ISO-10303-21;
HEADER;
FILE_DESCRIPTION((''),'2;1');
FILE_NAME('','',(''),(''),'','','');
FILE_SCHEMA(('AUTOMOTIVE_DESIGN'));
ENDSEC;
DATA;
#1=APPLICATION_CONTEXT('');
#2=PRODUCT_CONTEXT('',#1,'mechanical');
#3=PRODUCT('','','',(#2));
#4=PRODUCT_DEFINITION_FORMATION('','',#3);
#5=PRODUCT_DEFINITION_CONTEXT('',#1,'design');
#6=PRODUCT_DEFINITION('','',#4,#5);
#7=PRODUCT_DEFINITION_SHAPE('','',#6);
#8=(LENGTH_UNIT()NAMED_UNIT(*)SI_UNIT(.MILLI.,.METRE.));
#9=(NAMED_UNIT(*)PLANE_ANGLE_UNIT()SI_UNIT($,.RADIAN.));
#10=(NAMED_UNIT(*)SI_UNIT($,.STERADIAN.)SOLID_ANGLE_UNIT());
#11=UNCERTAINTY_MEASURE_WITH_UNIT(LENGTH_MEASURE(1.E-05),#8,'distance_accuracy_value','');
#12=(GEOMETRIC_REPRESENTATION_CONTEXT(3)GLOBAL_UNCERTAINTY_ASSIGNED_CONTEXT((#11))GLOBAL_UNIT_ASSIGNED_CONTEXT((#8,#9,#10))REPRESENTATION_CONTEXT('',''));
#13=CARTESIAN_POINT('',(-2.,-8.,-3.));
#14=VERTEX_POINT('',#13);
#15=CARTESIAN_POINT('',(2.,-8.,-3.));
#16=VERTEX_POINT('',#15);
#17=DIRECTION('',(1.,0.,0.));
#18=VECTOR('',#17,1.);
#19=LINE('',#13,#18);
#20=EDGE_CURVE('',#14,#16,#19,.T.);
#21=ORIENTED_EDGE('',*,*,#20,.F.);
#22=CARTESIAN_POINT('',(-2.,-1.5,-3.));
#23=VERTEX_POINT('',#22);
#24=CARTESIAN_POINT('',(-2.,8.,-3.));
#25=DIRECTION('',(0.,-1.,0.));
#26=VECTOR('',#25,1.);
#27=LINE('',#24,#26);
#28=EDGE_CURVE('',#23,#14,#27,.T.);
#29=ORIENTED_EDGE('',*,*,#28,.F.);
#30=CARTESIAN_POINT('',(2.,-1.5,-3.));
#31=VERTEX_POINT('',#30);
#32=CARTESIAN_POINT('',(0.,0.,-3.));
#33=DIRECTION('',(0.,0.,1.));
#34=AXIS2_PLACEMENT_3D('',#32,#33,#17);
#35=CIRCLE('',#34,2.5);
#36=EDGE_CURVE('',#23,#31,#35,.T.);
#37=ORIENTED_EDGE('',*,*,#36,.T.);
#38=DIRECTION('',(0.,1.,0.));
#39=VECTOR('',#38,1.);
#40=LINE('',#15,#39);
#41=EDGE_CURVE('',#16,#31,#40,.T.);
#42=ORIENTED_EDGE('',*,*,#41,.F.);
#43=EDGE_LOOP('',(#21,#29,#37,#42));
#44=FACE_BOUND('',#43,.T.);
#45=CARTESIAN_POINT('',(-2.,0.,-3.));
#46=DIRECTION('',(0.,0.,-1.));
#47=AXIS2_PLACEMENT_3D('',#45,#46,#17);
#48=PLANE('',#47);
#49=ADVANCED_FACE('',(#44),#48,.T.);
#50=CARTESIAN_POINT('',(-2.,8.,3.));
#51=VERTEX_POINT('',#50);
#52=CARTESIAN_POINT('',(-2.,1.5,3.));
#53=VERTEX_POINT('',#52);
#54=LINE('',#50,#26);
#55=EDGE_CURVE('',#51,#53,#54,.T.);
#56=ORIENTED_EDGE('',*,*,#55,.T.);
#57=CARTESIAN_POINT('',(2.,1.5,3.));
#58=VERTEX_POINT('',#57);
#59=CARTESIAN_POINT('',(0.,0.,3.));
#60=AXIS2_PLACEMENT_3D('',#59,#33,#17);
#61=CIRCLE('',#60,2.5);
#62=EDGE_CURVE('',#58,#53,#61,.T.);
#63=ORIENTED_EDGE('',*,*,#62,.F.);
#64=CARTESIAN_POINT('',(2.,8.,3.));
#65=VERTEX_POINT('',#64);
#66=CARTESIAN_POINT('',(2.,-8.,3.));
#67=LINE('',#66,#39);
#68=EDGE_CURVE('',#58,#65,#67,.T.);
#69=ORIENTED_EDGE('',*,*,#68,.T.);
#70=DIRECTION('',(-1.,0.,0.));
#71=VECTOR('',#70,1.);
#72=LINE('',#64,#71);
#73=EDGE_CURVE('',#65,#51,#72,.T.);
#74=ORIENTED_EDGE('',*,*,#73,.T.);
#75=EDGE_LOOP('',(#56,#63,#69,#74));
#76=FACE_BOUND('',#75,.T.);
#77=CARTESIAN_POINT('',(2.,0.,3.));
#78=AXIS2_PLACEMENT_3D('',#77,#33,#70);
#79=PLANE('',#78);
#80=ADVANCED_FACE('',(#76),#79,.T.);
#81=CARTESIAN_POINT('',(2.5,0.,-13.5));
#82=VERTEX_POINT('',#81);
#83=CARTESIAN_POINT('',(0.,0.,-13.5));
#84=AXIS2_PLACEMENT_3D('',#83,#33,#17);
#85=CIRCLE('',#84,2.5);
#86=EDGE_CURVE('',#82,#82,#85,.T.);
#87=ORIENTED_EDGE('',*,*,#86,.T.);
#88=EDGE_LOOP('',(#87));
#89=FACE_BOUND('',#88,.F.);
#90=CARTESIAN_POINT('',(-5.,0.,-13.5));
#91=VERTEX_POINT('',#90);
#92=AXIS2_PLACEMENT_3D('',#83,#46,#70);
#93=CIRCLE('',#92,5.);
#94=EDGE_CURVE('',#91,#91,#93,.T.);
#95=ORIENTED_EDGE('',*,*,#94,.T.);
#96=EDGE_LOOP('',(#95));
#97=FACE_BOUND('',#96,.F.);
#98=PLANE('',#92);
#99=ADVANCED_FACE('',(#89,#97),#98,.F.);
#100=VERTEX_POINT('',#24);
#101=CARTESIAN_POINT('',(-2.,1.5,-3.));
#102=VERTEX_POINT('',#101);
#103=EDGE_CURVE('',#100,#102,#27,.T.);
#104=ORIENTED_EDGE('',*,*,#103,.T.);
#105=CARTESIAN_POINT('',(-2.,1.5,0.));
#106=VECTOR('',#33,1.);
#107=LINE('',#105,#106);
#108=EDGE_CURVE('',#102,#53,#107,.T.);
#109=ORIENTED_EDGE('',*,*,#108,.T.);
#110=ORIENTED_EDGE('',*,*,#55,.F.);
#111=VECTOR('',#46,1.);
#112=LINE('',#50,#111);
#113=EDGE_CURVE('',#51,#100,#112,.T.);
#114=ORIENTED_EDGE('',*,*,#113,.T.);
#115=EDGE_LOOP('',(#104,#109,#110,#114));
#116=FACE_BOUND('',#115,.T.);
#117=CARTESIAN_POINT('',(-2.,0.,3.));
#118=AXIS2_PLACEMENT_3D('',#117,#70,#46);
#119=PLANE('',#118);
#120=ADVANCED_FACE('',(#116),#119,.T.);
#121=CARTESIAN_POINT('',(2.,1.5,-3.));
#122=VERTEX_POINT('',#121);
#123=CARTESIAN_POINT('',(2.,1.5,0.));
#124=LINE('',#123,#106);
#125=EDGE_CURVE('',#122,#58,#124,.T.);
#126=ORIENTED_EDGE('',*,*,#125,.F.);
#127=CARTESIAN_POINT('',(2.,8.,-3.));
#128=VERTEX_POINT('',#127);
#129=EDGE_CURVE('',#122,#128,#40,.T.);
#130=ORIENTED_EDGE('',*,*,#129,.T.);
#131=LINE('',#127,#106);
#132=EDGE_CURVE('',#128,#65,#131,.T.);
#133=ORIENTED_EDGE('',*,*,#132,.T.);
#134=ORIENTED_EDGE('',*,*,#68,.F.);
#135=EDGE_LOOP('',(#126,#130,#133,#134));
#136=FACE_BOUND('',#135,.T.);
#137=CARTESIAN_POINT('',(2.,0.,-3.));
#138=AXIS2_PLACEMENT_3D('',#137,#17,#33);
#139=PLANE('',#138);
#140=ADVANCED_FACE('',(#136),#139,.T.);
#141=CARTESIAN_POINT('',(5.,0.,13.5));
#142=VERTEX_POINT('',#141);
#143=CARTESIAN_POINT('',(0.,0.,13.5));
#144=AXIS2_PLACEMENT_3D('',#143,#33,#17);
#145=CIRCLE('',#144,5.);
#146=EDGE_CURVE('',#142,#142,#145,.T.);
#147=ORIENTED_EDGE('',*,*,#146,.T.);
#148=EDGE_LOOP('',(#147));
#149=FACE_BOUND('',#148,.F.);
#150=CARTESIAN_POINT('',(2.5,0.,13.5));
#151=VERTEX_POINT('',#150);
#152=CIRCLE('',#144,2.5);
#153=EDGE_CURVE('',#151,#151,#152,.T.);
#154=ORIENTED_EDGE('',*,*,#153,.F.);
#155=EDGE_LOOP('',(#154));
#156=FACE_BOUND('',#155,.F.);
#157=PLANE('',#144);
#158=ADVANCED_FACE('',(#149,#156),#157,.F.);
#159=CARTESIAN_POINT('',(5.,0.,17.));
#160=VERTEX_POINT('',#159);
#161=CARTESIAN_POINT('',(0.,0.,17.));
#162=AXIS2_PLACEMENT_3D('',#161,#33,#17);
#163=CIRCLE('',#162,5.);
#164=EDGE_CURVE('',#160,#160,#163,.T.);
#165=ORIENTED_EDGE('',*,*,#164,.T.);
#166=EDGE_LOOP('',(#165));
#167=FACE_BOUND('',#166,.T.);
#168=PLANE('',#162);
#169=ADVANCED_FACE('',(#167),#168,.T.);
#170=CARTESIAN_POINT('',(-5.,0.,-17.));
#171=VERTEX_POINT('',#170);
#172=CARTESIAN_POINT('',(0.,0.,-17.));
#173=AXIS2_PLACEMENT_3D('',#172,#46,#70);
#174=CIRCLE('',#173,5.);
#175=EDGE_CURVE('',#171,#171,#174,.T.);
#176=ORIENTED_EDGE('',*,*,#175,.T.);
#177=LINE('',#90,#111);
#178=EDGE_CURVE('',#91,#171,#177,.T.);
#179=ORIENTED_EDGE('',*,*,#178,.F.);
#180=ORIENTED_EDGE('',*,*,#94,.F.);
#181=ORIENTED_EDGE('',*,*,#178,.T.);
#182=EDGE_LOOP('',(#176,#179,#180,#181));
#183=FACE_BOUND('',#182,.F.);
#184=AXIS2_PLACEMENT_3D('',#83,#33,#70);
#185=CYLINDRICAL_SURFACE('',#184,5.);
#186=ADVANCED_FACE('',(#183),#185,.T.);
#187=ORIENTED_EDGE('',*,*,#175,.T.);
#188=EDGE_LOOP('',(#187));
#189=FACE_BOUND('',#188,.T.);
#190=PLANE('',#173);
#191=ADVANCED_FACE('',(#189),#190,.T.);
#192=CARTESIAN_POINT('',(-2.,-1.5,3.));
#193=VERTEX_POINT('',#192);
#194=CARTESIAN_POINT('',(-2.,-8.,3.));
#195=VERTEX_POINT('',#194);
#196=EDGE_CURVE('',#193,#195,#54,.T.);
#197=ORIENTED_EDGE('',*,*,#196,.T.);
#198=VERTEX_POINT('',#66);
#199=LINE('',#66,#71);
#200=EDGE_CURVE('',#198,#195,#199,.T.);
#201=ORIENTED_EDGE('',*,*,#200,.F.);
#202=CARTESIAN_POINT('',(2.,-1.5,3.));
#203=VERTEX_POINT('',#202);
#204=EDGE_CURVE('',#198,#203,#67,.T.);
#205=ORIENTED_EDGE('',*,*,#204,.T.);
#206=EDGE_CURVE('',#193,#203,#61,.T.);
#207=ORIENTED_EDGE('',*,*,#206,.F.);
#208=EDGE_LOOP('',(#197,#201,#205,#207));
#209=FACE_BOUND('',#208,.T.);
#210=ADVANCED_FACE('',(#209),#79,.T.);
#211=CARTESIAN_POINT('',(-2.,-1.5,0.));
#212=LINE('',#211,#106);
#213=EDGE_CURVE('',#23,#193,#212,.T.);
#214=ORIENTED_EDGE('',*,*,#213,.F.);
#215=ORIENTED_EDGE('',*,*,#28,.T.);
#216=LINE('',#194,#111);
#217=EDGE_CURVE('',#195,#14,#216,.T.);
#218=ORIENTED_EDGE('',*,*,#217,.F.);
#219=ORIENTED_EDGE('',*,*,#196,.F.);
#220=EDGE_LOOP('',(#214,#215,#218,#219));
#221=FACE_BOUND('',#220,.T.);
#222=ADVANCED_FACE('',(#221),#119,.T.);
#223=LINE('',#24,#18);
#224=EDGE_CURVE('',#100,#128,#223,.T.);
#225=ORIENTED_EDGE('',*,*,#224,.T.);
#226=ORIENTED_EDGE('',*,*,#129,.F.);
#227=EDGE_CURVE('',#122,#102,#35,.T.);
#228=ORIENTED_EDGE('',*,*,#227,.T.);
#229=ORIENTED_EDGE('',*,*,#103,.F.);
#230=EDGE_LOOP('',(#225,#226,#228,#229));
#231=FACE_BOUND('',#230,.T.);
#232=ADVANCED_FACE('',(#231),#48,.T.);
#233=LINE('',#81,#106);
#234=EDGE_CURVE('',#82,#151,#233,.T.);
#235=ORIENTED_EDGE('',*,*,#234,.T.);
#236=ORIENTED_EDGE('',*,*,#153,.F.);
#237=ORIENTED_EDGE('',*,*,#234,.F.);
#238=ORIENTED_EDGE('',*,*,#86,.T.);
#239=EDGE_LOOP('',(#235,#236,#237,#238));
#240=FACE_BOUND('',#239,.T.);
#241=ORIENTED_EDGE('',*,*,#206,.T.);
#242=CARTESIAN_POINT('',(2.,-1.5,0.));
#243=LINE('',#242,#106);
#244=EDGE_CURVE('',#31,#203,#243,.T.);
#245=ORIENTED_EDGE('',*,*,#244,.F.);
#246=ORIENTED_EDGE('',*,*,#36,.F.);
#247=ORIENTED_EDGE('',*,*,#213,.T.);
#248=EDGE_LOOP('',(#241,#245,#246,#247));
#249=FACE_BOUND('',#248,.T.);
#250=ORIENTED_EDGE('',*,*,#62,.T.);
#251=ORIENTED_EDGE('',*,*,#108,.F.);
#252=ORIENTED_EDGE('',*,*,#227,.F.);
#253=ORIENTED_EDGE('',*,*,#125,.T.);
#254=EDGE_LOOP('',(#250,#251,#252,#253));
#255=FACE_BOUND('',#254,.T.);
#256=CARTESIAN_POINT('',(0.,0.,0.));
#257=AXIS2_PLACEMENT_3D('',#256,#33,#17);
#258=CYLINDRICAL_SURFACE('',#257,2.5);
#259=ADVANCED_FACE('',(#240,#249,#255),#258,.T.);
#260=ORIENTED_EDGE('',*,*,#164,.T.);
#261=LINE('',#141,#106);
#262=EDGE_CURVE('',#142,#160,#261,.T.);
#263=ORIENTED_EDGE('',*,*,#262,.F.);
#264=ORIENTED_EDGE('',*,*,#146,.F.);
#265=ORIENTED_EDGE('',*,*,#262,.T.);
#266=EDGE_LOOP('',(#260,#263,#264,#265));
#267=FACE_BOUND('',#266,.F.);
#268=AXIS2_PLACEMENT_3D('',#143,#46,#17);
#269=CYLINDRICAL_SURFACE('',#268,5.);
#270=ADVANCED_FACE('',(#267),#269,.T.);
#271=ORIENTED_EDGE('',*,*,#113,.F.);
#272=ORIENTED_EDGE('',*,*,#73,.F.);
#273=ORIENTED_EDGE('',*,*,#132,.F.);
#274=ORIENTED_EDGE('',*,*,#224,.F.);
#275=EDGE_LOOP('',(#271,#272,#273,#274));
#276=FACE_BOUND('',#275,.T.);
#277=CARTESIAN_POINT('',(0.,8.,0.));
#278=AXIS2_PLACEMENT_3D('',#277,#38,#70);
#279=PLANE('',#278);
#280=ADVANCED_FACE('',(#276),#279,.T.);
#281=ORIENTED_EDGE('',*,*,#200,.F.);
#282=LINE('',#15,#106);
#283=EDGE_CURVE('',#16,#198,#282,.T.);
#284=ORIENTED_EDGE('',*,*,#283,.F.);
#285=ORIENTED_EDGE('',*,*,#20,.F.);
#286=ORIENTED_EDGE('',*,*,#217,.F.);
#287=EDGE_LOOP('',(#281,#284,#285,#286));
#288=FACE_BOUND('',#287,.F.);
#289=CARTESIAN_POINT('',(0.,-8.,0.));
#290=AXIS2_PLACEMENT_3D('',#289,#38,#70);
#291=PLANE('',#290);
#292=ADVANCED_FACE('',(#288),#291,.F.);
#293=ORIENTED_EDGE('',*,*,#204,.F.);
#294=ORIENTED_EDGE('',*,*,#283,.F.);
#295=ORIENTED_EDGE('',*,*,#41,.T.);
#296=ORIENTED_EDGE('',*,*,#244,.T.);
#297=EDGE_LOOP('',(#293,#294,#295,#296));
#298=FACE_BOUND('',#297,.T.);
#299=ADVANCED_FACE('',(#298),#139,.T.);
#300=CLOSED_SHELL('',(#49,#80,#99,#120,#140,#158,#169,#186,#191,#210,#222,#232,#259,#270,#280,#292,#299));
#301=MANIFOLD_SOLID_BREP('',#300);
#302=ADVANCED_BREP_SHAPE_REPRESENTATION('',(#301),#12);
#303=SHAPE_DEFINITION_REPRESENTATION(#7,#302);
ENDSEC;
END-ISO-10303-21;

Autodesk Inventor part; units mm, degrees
ref_plane "YZ Plane" through (0, 0, 0) normal (1, 0, 0) x (0, 1, 0)
ref_plane "XZ Plane" through (0, 0, 0) normal (0, 1, 0) x (-1, 0, 0)
ref_plane "XY Plane" through (0, 0, 0) normal (0, 0, 1) x (1, 0, 0)
sketch "스케치1" plane through (0, 0, 0) normal (0, 0, 1) x (1, 0, 0)
  circle A0 centre (0, 0) radius 2.5
  dimension "d0" = 5
extrude "돌출1" add sketch "스케치1" along normal mid plane 27
sketch "스케치2" plane through (0, 0, 13.5) normal (0, 0, 1) x (1, 0, 0)
  circle A0 centre (0, 0) radius 5
  dimension "d3" = 10
extrude "돌출2" add sketch "스케치2" along normal blind 3.5
sketch "스케치3" plane through (0, 0, -13.5) normal (0, 0, -1) x (-1, 0, 0)
  circle A0 centre (0, 0) radius 5
  dimension "d6" = 10
extrude "돌출3" add sketch "스케치3" along normal blind 3.5
sketch "스케치4" plane through (0, 0, 0) normal (0, 1, 0) x (-1, 0, 0)
  line L0 (-2, 3) -> (2, 3)
  line L1 (2, 3) -> (2, -3)
  line L2 (2, -3) -> (-2, -3)
  line L3 (-2, -3) -> (-2, 3)
  line L4 (-2, 3) -> (2, -3) construction
  line L5 (2, 3) -> (-2, -3) construction
  point P0 (0, 0)
  dimension "d9" = 4
  dimension "d10" = 6
extrude "돌출4" add sketch "스케치4" along normal mid plane 16
properties part number "15-2"
